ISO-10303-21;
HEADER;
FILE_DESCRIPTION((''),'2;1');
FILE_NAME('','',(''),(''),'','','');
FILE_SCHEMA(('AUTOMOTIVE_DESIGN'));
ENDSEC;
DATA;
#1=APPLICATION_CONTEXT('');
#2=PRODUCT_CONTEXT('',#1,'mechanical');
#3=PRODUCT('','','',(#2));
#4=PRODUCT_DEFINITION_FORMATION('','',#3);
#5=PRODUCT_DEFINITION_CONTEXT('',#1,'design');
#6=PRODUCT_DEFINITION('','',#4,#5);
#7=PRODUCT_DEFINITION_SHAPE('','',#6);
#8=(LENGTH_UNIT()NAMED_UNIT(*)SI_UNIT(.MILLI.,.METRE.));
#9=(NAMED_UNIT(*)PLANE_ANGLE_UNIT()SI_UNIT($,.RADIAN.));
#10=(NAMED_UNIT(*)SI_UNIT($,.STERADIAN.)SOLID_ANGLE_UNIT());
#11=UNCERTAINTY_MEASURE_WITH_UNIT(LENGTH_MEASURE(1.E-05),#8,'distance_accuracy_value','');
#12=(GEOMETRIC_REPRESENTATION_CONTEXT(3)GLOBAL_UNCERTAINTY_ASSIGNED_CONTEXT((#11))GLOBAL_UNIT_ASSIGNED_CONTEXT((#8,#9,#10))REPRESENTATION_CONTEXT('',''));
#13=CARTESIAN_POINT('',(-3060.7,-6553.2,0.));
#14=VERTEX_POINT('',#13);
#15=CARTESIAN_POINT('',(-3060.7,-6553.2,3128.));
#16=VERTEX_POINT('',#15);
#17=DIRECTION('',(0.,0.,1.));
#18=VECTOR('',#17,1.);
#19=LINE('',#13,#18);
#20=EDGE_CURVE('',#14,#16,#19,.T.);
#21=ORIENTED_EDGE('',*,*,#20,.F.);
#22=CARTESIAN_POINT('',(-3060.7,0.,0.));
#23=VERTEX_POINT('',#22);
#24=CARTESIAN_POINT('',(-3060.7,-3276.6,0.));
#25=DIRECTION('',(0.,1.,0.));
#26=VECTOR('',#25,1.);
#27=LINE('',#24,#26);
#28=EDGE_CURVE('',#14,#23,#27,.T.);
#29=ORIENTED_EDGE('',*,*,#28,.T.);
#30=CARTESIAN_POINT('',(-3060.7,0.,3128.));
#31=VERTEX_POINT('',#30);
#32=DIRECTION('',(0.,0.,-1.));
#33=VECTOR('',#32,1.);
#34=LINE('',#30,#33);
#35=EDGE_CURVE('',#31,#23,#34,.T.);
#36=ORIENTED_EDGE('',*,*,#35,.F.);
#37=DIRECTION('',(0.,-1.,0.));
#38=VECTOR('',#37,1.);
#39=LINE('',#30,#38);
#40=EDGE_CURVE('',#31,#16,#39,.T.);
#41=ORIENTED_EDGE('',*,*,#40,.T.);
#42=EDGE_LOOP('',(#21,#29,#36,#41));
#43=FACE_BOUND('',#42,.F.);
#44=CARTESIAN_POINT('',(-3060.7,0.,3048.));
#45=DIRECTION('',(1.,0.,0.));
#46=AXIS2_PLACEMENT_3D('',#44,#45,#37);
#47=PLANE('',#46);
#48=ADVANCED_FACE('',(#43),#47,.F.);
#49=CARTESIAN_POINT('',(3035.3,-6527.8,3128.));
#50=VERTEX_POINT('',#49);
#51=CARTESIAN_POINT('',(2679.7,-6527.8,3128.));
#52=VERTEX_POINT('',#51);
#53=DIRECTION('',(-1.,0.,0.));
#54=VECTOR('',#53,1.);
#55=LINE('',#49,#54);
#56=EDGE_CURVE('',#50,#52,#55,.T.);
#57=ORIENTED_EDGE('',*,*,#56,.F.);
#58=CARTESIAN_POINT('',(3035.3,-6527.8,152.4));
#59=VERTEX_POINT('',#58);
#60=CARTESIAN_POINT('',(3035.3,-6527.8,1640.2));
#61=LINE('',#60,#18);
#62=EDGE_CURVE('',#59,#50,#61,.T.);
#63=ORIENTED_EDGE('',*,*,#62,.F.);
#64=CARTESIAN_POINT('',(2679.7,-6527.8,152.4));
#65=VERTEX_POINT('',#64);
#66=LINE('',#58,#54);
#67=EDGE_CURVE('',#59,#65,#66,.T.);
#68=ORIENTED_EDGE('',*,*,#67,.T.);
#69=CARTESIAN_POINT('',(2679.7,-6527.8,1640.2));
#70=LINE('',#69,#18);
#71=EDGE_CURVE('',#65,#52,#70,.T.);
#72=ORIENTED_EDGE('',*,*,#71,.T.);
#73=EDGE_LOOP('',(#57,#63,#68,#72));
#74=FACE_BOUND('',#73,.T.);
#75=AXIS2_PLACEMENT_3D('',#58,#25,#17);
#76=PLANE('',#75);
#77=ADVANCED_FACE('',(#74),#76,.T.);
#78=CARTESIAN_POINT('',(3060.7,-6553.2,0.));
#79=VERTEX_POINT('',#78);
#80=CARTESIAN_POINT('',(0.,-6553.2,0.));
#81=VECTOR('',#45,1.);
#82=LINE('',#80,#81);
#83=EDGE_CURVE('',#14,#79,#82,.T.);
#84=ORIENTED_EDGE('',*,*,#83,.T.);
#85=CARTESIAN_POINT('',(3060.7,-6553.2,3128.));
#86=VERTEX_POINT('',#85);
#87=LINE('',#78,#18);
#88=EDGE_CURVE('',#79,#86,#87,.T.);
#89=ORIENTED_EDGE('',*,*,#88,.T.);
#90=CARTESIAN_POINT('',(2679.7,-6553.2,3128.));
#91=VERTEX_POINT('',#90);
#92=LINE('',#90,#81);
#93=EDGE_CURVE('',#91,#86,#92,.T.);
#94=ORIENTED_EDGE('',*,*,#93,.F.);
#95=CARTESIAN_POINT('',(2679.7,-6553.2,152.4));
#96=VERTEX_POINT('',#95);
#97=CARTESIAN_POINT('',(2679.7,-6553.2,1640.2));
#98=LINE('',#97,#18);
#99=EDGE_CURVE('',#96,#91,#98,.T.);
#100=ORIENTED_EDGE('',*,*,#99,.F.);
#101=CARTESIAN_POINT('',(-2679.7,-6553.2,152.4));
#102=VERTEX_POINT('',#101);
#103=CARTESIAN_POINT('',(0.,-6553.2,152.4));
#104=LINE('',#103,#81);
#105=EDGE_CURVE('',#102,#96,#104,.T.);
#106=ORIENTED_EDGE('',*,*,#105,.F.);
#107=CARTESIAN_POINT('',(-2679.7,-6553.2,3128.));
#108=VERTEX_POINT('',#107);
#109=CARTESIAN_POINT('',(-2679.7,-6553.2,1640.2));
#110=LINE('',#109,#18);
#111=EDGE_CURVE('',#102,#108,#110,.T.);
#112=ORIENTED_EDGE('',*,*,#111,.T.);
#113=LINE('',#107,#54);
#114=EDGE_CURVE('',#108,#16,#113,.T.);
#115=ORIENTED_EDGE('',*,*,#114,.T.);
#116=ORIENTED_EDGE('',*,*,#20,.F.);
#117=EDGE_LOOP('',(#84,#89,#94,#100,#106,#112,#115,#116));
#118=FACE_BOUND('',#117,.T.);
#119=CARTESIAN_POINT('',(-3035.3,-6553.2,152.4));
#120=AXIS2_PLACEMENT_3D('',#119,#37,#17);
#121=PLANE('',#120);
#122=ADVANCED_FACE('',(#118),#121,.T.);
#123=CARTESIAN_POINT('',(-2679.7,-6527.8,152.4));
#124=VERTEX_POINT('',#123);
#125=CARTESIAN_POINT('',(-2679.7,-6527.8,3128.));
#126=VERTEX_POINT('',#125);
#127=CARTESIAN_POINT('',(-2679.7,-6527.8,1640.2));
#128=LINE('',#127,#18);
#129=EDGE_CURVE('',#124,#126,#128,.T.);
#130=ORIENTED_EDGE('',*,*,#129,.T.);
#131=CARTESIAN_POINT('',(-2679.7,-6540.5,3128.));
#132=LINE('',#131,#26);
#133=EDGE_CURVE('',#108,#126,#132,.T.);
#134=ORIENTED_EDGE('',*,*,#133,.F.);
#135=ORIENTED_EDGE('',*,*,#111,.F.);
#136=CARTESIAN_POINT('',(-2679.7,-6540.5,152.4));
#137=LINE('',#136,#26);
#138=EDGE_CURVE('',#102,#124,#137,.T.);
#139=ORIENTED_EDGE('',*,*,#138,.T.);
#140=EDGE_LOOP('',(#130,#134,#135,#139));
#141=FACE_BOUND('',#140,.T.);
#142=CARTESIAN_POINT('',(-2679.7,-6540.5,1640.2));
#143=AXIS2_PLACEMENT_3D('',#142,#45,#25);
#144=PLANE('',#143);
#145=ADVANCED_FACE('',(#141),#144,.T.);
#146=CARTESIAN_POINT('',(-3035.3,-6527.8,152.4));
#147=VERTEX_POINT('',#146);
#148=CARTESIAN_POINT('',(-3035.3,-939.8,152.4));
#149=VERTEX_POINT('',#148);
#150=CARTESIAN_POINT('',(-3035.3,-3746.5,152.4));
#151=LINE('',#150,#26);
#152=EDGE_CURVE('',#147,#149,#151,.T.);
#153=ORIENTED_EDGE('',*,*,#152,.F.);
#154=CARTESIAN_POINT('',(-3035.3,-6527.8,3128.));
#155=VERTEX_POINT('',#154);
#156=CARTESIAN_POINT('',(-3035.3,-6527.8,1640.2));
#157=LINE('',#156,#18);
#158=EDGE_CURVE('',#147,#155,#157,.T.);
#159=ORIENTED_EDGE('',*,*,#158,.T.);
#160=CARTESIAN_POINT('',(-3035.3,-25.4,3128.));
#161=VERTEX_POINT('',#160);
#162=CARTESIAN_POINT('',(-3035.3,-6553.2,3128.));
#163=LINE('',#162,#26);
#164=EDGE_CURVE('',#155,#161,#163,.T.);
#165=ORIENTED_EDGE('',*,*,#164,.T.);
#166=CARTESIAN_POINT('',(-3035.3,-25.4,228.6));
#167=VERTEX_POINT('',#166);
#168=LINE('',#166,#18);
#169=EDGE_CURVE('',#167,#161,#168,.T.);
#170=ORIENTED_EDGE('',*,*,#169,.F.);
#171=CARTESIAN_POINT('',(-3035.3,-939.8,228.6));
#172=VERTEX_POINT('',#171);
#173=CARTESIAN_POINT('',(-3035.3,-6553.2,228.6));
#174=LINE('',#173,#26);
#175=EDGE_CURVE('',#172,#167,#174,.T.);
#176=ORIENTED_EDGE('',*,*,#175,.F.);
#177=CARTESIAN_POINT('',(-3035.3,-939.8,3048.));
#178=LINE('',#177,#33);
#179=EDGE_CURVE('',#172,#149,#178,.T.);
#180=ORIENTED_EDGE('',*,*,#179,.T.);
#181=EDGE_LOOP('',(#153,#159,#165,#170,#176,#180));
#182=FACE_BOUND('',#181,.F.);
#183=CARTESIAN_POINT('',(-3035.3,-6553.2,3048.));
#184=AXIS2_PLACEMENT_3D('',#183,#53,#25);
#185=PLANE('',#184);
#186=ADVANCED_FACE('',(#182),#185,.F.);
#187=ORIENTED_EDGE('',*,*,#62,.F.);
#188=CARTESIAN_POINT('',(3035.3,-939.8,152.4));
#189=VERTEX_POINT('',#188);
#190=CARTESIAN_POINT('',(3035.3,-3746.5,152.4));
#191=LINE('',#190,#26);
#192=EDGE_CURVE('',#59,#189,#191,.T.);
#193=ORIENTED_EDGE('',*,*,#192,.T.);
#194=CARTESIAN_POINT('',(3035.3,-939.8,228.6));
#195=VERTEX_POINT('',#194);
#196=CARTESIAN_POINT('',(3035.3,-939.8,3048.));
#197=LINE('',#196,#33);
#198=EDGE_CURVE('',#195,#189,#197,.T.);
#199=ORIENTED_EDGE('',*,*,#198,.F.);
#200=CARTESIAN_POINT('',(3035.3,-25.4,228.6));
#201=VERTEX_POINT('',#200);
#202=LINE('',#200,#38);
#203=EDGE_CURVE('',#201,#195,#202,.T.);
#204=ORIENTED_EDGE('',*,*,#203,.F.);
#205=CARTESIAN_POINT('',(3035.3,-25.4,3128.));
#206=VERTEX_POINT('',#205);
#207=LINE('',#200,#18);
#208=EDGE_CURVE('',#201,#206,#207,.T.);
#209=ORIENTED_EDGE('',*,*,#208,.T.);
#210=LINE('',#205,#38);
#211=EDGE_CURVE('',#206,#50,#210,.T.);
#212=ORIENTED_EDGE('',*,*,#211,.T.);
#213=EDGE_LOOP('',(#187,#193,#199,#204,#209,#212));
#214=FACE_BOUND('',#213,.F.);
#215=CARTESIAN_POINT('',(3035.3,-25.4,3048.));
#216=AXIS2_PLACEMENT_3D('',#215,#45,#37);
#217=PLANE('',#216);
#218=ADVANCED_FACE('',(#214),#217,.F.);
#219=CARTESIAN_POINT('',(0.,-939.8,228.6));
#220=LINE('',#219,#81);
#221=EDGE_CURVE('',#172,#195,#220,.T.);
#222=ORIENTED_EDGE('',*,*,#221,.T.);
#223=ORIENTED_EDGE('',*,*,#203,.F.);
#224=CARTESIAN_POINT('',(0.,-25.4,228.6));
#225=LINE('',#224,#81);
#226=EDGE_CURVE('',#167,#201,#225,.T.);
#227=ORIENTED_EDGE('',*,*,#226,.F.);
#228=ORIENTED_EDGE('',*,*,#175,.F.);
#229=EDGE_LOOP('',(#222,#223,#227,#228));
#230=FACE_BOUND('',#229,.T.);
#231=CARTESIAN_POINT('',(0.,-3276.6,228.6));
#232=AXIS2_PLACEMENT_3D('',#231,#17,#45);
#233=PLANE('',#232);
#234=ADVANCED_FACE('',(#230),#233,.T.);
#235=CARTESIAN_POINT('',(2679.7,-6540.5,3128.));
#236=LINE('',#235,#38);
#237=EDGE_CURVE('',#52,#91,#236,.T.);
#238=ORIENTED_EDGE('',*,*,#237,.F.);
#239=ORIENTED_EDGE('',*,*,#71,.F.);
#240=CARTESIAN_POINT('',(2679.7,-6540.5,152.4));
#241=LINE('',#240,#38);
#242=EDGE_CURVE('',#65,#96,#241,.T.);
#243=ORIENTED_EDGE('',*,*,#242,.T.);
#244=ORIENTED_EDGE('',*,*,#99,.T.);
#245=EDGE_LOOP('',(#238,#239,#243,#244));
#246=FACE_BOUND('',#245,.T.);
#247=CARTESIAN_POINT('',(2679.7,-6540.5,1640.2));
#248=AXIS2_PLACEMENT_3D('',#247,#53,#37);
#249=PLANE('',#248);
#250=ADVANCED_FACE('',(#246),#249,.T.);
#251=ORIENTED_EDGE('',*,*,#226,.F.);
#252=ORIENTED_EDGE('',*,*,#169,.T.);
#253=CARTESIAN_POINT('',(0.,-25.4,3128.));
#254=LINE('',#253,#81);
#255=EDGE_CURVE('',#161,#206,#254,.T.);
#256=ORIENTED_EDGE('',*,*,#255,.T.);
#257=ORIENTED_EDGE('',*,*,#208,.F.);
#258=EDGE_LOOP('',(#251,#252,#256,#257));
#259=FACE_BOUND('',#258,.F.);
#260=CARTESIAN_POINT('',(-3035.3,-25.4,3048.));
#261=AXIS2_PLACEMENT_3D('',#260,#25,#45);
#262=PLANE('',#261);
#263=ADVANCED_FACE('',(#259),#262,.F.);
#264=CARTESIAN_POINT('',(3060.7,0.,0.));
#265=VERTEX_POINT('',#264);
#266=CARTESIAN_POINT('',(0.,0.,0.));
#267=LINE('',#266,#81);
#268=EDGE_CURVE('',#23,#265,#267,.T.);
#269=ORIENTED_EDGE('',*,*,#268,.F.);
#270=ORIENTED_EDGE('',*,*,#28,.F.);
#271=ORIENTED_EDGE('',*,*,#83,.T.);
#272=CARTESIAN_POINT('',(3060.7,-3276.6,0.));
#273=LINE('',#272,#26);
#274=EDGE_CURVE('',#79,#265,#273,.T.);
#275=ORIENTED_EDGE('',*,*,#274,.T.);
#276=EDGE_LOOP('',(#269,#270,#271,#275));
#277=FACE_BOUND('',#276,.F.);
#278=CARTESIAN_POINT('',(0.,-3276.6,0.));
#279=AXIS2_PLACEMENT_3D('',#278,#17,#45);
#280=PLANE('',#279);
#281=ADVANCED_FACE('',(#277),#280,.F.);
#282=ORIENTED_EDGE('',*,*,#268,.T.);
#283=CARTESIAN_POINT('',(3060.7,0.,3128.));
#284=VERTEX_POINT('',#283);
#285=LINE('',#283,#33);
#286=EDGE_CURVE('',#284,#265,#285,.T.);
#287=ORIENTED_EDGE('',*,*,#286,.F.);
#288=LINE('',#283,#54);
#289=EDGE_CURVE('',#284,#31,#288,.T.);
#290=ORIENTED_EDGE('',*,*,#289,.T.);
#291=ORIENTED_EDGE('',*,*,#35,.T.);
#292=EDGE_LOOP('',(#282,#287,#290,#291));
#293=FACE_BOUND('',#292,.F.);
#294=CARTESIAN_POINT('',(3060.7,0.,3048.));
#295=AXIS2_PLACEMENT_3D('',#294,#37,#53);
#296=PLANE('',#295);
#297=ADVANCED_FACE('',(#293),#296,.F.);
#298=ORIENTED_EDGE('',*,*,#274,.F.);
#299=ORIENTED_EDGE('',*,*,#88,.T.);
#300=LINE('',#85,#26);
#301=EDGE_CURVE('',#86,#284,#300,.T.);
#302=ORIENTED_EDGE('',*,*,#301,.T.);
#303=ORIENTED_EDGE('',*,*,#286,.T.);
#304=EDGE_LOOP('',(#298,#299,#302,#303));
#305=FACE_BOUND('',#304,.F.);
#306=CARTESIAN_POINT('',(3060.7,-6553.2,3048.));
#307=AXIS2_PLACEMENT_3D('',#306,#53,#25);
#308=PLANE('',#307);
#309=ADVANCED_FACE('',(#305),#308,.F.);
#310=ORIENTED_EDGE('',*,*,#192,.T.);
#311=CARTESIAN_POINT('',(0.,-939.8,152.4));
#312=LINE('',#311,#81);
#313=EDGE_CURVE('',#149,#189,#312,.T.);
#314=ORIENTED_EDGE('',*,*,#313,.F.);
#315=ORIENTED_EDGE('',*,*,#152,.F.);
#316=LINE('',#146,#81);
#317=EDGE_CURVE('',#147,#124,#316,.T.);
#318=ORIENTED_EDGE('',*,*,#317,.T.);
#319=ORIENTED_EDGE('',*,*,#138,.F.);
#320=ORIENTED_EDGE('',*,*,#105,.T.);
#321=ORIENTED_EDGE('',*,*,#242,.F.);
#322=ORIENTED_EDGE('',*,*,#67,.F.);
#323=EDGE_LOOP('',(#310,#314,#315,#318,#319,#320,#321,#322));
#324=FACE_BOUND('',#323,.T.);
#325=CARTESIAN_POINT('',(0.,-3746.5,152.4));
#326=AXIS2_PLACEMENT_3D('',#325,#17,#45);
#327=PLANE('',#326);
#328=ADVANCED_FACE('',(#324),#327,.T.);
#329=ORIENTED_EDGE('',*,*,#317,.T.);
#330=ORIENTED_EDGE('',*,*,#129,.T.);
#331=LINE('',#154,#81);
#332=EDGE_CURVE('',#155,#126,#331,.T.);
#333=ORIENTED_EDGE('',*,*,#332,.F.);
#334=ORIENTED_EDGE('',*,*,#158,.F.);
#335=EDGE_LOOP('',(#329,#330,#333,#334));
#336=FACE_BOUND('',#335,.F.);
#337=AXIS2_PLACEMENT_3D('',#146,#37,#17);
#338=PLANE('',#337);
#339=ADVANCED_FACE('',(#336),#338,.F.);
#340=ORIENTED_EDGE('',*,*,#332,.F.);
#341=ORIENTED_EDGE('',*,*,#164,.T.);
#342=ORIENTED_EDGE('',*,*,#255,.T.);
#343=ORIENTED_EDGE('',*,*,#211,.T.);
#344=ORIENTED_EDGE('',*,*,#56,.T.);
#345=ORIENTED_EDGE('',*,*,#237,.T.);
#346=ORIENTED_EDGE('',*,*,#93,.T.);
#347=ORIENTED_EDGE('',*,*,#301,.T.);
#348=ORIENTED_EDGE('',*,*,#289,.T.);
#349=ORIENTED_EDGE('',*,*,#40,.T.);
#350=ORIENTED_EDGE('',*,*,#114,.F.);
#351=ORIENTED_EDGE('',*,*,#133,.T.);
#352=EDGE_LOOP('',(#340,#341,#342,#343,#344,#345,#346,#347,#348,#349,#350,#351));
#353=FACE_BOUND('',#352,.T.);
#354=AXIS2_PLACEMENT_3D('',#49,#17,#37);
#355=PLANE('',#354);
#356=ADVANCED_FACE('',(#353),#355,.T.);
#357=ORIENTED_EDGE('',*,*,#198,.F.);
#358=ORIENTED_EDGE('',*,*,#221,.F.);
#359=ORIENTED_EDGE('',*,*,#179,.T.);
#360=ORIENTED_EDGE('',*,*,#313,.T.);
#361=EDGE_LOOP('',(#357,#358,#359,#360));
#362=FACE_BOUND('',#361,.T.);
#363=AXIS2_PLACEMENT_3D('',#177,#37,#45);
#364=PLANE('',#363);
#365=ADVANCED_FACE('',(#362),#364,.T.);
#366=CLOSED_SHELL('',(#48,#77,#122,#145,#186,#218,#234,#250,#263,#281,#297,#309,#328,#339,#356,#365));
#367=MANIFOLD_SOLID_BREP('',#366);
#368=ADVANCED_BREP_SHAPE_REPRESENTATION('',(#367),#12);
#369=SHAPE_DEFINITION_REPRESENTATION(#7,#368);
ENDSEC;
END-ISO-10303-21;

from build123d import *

# Parameters (mm, degrees)
F0_W      = 6121.4
F0_H      = 6553.2
F1_DEPTH  = 3048
F2_W      = 6070.6
F2_H      = 5613.4
F3_DEPTH  = 2895.6
F4_W      = 6070.6
F4_H      = 25.4
F5_DEPTH  = 80
F6_DEPTH  = 2819.4
F7_W      = 25.4
F7_H      = 2975.6
F8_DEPTH  = 355.6
F9_W      = 25.4
F9_H      = 2975.6
F10_DEPTH = 355.6


with BuildPart() as f1:
    # F0 (on Top) → F1 (new body)
    with BuildSketch(Plane.XY):
        with Locations((0, -3276.6)):
            Rectangle(F0_W, F0_H)
    extrude(amount=F1_DEPTH)

    # F2 (on face) → F3 (cut)
    with BuildSketch(Plane.XY.offset(3048)):
        with Locations((0, -3746.5)):
            Rectangle(F2_W, F2_H)
    extrude(amount=-F3_DEPTH, mode=Mode.SUBTRACT)

    # F4 (on face) → F5 (join)
    with BuildSketch(Plane.XY.offset(3048)):
        Polygon((-3060.7, 0), (-3060.7, -6553.2), (-3035.3, -6553.2), (-3035.3, -25.4), (-3035.3, 0), align=None)
        with Locations((0, -12.7)):
            Rectangle(F4_W, F4_H)
        Polygon((3035.3, 0), (3035.3, -25.4), (3035.3, -6553.2), (3060.7, -6553.2), (3060.7, 0), align=None)
    extrude(amount=F5_DEPTH)

    # F6 (cut): a face of the model
    f6_faces = [f1.faces().sort_by_distance(p)[0] for p in [
        (0, -482.6, 3048),
    ]]
    extrude(f6_faces, amount=-F6_DEPTH, mode=Mode.SUBTRACT)

    # F7 (on face) → F8 (join)
    with BuildSketch(Plane.YZ.offset(-3035.3)):
        with Locations((-6540.5, 1640.2)):
            Rectangle(F7_W, F7_H)
    extrude(amount=F8_DEPTH)

    # F9 (on face) → F10 (join)
    with BuildSketch(Plane(origin=(3035.3, 0, 0), x_dir=(0, -1, 0), z_dir=(-1, 0, 0))):
        with Locations((6540.5, 1640.2)):
            Rectangle(F9_W, F9_H)
    extrude(amount=F10_DEPTH)


solid = f1.part
